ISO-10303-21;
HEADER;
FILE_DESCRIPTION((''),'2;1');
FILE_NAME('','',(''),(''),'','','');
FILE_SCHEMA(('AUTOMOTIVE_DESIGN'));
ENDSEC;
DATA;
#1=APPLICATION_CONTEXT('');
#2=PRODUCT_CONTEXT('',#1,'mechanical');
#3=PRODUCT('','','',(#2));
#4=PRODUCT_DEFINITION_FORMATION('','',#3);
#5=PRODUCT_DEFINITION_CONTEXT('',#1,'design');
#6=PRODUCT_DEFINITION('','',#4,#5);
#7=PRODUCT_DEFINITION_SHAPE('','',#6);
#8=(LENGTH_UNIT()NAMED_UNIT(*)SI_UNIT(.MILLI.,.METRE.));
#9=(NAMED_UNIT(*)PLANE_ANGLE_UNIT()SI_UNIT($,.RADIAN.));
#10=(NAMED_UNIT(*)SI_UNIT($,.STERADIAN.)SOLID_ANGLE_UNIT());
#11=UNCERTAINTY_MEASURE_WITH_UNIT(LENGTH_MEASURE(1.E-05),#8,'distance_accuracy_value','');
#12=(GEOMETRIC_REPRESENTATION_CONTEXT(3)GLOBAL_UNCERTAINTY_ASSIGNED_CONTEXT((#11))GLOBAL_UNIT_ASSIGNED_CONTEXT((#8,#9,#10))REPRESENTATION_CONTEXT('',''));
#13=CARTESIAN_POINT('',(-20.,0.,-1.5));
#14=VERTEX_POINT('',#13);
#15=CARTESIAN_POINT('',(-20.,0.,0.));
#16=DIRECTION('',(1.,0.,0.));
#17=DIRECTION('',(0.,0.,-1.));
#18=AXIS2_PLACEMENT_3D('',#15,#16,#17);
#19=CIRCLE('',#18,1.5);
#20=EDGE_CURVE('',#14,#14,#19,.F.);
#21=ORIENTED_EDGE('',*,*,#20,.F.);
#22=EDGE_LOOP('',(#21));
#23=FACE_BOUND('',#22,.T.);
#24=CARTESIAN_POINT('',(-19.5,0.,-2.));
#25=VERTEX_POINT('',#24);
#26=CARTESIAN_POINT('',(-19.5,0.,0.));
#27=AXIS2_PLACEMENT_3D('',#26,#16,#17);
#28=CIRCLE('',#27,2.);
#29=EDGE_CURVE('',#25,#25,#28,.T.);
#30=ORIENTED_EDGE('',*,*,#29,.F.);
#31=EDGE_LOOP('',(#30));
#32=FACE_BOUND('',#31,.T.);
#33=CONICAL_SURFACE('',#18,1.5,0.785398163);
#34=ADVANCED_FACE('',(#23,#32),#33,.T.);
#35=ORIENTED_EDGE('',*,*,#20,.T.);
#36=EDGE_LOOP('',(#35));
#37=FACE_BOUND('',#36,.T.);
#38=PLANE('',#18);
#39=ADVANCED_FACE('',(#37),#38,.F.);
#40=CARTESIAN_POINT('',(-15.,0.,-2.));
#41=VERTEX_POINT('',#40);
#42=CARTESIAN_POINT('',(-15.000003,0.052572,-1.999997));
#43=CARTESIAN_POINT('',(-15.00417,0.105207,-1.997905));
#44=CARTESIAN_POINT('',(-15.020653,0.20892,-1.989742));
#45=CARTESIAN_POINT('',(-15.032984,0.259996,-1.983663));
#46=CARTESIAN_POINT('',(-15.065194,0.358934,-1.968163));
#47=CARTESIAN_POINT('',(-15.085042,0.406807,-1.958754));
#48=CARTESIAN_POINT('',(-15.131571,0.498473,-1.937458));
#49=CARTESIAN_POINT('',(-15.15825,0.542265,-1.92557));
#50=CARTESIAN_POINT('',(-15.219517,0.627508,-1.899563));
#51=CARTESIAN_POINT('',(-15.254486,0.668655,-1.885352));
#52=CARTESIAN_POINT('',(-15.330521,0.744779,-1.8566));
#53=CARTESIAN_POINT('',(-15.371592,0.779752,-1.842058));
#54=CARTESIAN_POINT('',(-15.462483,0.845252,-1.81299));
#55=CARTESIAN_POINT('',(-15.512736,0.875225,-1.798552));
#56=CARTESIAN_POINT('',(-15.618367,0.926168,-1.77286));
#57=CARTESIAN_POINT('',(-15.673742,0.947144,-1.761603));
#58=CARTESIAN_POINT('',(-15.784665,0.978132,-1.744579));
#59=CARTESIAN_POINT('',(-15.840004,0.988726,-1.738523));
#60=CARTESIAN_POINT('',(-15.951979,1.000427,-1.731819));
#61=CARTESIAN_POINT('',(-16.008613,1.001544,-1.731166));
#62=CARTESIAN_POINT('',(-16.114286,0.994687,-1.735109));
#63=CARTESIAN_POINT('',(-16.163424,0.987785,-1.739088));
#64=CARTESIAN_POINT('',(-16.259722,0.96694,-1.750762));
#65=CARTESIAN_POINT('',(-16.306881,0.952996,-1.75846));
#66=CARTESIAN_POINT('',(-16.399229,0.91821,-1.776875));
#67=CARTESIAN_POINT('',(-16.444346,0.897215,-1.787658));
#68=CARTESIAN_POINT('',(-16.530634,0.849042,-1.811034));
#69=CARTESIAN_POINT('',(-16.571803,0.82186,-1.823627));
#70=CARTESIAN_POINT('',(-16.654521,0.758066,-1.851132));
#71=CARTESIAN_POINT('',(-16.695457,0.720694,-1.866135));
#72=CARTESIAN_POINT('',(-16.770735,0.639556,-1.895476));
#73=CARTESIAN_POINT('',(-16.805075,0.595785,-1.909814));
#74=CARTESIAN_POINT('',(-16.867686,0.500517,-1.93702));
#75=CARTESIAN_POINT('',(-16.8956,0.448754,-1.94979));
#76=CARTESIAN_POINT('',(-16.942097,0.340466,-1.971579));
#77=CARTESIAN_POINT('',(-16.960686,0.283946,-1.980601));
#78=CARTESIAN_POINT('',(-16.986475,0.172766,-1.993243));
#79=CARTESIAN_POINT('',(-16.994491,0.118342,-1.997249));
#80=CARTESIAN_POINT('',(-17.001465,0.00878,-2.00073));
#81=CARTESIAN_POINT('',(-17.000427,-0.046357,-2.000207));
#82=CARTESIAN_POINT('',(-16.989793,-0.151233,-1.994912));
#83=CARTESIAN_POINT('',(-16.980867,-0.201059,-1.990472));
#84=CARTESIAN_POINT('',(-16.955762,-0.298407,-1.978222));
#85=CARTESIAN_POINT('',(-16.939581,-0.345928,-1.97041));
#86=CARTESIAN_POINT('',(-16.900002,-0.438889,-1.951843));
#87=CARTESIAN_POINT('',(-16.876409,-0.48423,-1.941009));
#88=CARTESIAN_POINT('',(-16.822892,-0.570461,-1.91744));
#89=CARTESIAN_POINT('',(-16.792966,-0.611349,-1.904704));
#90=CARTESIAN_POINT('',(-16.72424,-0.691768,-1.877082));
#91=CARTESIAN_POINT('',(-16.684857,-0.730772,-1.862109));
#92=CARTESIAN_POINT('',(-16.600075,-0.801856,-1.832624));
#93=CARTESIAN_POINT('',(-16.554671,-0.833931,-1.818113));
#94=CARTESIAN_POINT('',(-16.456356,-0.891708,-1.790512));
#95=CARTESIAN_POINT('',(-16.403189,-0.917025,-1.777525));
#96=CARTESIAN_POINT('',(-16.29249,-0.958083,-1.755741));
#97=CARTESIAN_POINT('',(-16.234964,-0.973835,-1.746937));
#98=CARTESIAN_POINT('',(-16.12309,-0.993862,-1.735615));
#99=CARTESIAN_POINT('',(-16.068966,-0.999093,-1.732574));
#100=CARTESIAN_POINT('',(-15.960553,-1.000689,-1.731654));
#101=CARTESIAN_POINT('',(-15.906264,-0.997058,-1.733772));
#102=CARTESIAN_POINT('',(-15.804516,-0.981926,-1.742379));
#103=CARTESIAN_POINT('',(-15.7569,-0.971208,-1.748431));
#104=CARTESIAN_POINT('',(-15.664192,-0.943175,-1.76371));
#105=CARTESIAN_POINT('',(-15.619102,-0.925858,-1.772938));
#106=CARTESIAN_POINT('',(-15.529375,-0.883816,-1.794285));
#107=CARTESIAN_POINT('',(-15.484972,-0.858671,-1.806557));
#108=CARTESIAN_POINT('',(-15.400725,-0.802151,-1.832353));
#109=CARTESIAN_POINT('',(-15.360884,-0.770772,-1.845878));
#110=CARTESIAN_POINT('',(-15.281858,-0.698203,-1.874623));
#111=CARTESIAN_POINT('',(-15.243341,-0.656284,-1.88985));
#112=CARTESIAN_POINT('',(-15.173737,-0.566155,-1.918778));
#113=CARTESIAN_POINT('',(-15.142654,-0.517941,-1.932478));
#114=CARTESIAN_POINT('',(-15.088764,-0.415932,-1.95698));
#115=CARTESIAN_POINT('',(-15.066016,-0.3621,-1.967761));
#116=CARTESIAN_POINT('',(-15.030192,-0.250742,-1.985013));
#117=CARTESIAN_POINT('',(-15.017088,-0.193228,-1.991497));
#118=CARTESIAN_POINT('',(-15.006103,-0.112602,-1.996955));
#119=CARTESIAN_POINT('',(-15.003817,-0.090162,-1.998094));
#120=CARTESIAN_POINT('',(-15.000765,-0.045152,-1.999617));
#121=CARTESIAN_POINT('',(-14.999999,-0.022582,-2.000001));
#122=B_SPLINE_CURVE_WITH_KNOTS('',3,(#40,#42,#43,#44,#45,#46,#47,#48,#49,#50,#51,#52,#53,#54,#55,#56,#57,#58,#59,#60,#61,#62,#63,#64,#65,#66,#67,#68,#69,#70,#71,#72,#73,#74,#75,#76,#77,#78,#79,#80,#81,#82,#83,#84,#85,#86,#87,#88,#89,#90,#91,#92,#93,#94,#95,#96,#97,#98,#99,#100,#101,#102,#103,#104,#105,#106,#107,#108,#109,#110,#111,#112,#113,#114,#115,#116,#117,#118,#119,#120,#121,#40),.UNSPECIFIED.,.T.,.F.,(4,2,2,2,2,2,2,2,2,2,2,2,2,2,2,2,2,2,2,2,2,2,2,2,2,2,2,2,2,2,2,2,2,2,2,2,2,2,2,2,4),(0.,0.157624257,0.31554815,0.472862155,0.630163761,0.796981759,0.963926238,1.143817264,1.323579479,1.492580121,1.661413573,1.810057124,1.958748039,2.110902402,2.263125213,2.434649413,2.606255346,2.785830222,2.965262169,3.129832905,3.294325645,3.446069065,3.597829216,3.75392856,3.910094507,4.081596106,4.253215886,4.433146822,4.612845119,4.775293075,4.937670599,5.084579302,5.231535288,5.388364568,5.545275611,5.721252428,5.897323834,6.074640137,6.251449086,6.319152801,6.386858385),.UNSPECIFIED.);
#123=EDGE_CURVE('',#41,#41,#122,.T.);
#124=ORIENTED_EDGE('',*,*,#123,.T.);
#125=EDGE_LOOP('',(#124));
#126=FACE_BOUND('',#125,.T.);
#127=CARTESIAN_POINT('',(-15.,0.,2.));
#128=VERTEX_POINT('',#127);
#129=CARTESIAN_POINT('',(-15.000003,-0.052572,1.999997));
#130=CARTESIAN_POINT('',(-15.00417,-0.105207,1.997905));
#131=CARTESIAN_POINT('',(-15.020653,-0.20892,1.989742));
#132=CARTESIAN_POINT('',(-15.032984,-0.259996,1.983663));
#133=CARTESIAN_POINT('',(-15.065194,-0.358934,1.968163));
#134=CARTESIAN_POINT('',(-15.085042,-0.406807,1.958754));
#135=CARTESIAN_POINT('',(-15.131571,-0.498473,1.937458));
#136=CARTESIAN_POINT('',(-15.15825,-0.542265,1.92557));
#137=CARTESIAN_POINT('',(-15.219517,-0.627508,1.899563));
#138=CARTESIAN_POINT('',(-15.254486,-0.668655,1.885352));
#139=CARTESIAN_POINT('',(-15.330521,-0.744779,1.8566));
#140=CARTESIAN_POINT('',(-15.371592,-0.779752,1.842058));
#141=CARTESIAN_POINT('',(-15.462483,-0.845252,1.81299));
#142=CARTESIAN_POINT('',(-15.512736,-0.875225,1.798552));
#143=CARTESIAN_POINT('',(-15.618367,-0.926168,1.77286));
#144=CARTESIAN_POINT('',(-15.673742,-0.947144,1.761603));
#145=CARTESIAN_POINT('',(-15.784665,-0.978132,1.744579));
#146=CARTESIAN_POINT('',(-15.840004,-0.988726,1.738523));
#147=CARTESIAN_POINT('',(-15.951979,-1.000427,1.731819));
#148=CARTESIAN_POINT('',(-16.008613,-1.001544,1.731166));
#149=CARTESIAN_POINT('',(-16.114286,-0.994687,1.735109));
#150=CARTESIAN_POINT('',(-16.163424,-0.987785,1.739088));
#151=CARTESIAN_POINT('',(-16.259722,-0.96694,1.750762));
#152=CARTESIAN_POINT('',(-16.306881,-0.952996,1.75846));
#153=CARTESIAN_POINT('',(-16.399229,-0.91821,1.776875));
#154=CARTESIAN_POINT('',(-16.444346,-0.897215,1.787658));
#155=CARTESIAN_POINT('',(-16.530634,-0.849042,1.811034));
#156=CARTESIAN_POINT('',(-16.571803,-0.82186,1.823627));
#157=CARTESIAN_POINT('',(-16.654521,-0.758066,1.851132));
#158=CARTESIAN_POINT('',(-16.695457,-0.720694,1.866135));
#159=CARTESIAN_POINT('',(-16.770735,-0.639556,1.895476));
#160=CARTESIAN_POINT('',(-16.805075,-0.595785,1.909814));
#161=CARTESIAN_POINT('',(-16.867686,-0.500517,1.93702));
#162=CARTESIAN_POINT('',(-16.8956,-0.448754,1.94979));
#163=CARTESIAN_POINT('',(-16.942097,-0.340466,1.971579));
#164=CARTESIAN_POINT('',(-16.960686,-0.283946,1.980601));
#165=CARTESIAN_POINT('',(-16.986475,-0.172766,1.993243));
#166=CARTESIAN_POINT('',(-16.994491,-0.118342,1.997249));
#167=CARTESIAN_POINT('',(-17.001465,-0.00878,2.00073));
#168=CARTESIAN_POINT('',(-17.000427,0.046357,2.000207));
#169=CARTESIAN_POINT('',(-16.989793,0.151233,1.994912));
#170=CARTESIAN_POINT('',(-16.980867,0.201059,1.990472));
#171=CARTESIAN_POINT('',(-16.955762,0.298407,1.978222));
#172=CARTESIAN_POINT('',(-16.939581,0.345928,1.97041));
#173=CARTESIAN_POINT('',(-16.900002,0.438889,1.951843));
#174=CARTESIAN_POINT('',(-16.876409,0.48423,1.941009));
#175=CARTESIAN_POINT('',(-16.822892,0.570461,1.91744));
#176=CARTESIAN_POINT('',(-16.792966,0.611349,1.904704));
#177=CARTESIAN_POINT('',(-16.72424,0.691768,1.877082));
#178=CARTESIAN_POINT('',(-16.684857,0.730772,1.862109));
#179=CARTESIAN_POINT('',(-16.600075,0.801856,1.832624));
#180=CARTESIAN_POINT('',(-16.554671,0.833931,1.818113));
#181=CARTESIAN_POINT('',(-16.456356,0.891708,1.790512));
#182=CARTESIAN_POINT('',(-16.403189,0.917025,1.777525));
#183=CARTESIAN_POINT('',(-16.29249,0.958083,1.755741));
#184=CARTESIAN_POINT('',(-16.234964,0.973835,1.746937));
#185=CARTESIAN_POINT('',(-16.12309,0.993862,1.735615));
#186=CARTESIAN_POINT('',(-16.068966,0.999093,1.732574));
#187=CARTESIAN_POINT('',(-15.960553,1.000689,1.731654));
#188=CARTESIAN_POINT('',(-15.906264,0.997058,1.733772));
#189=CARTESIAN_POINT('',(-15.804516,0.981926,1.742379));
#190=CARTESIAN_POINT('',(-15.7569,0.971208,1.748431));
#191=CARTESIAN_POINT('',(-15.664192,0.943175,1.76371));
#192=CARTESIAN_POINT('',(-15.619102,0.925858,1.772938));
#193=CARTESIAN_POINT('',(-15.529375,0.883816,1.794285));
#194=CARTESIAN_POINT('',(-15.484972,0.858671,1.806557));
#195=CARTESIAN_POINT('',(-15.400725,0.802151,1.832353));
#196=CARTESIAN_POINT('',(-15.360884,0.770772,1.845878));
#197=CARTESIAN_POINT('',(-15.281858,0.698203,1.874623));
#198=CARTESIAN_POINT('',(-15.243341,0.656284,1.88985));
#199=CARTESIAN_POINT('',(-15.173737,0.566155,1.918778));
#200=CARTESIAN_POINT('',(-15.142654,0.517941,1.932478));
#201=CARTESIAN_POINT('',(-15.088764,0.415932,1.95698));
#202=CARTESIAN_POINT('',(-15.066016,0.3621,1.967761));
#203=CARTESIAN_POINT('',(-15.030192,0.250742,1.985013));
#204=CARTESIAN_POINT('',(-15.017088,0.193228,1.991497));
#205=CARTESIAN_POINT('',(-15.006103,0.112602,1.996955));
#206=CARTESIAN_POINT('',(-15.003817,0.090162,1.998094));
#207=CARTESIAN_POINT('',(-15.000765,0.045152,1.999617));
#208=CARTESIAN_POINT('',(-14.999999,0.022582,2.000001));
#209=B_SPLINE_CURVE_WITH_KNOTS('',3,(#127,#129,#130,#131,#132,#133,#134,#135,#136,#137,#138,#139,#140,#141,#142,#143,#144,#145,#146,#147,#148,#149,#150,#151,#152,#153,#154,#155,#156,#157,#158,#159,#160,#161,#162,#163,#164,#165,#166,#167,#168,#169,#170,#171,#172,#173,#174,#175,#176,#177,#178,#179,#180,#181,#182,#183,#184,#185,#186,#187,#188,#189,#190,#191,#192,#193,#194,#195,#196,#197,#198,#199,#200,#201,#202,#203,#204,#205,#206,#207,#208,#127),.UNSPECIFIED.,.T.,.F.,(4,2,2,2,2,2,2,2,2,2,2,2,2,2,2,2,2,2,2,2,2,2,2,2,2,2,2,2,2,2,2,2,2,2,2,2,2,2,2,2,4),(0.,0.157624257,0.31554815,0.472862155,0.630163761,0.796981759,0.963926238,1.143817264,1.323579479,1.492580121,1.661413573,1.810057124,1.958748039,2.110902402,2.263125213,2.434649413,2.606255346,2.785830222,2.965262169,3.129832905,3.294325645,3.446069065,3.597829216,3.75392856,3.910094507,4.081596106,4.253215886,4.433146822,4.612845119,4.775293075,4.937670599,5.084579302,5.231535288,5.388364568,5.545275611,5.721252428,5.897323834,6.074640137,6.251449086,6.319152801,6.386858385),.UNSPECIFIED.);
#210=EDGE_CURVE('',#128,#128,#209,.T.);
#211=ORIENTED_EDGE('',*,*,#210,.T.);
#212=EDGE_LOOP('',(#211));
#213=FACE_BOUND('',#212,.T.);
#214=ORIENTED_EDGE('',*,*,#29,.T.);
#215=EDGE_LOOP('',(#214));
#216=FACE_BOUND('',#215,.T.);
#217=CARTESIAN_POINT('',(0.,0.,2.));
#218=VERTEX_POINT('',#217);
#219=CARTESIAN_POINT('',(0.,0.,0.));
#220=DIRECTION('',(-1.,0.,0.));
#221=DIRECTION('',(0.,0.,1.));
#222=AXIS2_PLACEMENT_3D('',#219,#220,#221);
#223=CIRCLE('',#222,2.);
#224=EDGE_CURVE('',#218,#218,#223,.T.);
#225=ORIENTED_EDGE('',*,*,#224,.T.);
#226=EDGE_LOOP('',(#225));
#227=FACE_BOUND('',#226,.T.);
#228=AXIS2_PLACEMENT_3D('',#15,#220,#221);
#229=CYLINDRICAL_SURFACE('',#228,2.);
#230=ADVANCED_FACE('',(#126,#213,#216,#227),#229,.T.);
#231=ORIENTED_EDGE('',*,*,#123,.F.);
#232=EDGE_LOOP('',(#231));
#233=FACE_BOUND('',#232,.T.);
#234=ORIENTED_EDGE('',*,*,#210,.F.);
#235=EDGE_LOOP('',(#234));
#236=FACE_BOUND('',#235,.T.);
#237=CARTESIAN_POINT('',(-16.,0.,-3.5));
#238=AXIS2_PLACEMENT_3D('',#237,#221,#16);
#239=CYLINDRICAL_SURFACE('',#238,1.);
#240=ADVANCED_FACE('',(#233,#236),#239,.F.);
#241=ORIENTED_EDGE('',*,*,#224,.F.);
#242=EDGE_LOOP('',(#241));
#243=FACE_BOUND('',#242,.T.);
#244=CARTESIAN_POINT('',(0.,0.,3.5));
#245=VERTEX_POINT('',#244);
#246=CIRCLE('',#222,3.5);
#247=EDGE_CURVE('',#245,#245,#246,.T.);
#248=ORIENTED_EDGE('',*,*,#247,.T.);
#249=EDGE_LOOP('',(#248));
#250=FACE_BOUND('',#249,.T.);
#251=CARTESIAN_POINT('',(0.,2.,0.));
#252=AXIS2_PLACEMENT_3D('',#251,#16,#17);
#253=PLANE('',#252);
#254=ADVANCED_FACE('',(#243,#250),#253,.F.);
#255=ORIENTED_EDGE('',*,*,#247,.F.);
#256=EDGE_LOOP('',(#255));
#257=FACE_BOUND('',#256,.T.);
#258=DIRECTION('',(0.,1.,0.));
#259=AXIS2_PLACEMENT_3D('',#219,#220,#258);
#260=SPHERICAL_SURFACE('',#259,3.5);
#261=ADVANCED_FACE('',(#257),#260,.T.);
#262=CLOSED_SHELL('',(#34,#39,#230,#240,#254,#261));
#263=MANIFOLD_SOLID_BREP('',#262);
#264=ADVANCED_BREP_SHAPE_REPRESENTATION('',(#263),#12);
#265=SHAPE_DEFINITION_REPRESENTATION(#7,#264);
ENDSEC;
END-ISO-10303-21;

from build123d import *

# Parameters (mm, degrees)
SKETCH4_R               = 1
CUT_EXTRUDE1_DEPTH      = 4.5
CUT_EXTRUDE1_DEPTH_BACK = 4.5
CHAMFER1_SIZE           = 0.5


with BuildPart() as part:
    # Sketch3 → Revolve1 (revolve)
    with BuildSketch(Plane.XY):
        with BuildLine():
            Line((-20, 0), (-20, 2))
            Line((-20, 2), (0, 2))
            Line((0, 2), (0, 3.5))
            ThreePointArc((0, 3.5), (2.474873734, 2.474873734), (3.5, 0))
            Line((3.5, 0), (-20, 0))
        make_face()
    revolve(axis=Axis((-20, 0, 0), (1, 0, 0)))

    # Sketch4 → Cut-Extrude1 (cut, two sides)
    with BuildSketch(Plane.XY) as cut_extrude1_sk:
        with Locations((-16, 0)):
            Circle(SKETCH4_R)
    extrude(amount=CUT_EXTRUDE1_DEPTH, mode=Mode.SUBTRACT)
    extrude(cut_extrude1_sk.sketch, amount=-CUT_EXTRUDE1_DEPTH_BACK, mode=Mode.SUBTRACT)

    # Chamfer1
    chamfer1_edges = [part.edges().sort_by_distance(p)[0] for p in [
        (-20, -2, 0),
    ]]
    chamfer(chamfer1_edges, length=CHAMFER1_SIZE)


solid = part.part
